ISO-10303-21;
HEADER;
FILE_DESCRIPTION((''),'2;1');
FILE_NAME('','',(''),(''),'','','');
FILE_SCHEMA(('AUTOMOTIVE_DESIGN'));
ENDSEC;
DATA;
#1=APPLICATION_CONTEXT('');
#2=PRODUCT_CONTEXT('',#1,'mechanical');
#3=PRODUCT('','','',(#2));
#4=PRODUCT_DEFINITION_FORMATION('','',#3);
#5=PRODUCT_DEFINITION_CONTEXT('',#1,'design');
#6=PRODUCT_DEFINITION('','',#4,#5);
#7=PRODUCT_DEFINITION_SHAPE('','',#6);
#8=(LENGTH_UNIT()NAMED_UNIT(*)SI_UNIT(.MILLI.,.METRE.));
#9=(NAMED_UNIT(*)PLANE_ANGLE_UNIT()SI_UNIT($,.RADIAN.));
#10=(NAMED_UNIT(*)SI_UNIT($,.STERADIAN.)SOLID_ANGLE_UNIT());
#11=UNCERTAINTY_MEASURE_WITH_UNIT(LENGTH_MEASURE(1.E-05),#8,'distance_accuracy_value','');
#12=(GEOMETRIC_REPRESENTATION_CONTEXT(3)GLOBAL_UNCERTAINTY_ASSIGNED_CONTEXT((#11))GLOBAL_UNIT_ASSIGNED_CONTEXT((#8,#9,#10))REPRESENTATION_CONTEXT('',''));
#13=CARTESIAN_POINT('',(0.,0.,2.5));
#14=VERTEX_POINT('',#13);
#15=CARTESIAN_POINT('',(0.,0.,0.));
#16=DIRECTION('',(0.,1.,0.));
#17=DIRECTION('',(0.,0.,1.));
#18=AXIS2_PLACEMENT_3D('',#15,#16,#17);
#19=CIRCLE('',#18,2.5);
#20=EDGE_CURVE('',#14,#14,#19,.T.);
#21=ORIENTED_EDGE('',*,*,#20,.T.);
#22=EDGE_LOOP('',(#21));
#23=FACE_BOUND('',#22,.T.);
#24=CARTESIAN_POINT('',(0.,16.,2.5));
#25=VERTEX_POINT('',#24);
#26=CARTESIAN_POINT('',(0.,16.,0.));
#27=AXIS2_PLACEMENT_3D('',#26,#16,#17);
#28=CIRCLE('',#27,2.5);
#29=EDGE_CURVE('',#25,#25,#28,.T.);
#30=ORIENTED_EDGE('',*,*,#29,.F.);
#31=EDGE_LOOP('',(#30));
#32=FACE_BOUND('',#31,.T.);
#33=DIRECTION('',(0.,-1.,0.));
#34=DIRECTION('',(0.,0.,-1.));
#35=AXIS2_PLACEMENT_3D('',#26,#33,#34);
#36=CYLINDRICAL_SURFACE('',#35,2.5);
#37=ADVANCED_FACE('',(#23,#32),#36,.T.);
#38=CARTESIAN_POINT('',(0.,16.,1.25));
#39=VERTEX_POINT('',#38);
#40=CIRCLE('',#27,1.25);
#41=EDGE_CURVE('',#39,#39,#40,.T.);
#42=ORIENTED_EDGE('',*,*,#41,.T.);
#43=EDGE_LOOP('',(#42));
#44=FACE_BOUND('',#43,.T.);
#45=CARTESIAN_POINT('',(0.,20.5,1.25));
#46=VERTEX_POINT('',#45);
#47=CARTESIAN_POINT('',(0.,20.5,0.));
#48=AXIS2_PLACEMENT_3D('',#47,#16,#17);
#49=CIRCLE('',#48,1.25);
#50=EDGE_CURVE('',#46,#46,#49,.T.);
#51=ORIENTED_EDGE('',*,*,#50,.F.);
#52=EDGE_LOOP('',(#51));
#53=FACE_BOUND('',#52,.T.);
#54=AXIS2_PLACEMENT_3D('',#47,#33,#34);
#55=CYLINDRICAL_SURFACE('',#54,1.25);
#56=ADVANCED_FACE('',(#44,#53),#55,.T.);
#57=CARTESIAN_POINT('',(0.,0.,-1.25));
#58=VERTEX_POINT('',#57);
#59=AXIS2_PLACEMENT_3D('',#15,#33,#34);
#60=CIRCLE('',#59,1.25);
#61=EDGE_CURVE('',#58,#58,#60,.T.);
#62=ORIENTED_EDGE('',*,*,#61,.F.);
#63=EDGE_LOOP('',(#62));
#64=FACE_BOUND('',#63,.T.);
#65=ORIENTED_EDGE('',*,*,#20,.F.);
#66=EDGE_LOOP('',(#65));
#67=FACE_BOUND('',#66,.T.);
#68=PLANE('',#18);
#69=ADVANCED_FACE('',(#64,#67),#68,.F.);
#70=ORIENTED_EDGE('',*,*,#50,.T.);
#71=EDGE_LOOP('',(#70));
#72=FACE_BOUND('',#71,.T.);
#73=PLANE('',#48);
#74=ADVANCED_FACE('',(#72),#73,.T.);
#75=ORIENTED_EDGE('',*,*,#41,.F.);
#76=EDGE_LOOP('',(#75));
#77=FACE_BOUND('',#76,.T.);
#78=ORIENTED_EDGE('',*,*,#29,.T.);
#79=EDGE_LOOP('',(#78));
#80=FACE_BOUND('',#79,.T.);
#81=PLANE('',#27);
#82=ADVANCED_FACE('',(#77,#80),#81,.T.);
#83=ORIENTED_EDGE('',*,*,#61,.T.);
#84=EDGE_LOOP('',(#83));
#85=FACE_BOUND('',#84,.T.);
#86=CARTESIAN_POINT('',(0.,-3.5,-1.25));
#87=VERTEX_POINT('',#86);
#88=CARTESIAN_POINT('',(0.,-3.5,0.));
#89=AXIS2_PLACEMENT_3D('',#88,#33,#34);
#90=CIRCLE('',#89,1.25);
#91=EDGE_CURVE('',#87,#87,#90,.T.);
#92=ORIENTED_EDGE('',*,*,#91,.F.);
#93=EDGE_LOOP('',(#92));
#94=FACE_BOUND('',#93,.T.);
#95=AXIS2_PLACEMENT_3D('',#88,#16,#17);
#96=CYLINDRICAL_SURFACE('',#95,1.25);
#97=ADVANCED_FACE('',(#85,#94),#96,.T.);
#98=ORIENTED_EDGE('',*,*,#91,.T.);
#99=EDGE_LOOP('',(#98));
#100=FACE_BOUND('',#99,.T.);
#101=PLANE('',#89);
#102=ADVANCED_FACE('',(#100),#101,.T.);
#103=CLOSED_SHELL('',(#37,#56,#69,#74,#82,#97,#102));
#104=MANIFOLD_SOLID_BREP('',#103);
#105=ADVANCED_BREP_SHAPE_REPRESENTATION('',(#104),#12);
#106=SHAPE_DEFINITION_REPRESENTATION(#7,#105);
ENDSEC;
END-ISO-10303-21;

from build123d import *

# Parameters (mm, degrees)
SKETCH1_R           = 2.5
BOSS_EXTRUDE1_DEPTH = 16
SKETCH2_R           = 1.25
BOSS_EXTRUDE2_DEPTH = 4.5
BOSS_EXTRUDE3_START = 3.5
SKETCH3_R           = 1.25
BOSS_EXTRUDE3_DEPTH = 3.5


with BuildPart() as part:
    # Sketch1 → Boss-Extrude1 (new body)
    with BuildSketch(Plane(origin=(0, 0, 0), x_dir=(1, 0, 0), z_dir=(0, 1, 0))):
        with Locations(Location((0, 0, 0), (0, 0, 270))):
            Circle(SKETCH1_R)
    extrude(amount=BOSS_EXTRUDE1_DEPTH)

    # Sketch2 → Boss-Extrude2 (add)
    with BuildSketch(Plane(origin=(0, 16, 0), x_dir=(1, 0, 0), z_dir=(0, 1, 0))):
        with Locations(Location((0, 0, 0), (0, 0, 270))):
            Circle(SKETCH2_R)
    extrude(amount=BOSS_EXTRUDE2_DEPTH)

    # Sketch3 → Boss-Extrude3 (add)
    with BuildSketch(Plane(origin=(0, 0, 0), x_dir=(-1, 0, 0), z_dir=(0, -1, 0)).offset(BOSS_EXTRUDE3_START)):
        with Locations(Location((0, 0, 0), (0, 0, 270))):
            Circle(SKETCH3_R)
    extrude(amount=-BOSS_EXTRUDE3_DEPTH)


solid = part.part
